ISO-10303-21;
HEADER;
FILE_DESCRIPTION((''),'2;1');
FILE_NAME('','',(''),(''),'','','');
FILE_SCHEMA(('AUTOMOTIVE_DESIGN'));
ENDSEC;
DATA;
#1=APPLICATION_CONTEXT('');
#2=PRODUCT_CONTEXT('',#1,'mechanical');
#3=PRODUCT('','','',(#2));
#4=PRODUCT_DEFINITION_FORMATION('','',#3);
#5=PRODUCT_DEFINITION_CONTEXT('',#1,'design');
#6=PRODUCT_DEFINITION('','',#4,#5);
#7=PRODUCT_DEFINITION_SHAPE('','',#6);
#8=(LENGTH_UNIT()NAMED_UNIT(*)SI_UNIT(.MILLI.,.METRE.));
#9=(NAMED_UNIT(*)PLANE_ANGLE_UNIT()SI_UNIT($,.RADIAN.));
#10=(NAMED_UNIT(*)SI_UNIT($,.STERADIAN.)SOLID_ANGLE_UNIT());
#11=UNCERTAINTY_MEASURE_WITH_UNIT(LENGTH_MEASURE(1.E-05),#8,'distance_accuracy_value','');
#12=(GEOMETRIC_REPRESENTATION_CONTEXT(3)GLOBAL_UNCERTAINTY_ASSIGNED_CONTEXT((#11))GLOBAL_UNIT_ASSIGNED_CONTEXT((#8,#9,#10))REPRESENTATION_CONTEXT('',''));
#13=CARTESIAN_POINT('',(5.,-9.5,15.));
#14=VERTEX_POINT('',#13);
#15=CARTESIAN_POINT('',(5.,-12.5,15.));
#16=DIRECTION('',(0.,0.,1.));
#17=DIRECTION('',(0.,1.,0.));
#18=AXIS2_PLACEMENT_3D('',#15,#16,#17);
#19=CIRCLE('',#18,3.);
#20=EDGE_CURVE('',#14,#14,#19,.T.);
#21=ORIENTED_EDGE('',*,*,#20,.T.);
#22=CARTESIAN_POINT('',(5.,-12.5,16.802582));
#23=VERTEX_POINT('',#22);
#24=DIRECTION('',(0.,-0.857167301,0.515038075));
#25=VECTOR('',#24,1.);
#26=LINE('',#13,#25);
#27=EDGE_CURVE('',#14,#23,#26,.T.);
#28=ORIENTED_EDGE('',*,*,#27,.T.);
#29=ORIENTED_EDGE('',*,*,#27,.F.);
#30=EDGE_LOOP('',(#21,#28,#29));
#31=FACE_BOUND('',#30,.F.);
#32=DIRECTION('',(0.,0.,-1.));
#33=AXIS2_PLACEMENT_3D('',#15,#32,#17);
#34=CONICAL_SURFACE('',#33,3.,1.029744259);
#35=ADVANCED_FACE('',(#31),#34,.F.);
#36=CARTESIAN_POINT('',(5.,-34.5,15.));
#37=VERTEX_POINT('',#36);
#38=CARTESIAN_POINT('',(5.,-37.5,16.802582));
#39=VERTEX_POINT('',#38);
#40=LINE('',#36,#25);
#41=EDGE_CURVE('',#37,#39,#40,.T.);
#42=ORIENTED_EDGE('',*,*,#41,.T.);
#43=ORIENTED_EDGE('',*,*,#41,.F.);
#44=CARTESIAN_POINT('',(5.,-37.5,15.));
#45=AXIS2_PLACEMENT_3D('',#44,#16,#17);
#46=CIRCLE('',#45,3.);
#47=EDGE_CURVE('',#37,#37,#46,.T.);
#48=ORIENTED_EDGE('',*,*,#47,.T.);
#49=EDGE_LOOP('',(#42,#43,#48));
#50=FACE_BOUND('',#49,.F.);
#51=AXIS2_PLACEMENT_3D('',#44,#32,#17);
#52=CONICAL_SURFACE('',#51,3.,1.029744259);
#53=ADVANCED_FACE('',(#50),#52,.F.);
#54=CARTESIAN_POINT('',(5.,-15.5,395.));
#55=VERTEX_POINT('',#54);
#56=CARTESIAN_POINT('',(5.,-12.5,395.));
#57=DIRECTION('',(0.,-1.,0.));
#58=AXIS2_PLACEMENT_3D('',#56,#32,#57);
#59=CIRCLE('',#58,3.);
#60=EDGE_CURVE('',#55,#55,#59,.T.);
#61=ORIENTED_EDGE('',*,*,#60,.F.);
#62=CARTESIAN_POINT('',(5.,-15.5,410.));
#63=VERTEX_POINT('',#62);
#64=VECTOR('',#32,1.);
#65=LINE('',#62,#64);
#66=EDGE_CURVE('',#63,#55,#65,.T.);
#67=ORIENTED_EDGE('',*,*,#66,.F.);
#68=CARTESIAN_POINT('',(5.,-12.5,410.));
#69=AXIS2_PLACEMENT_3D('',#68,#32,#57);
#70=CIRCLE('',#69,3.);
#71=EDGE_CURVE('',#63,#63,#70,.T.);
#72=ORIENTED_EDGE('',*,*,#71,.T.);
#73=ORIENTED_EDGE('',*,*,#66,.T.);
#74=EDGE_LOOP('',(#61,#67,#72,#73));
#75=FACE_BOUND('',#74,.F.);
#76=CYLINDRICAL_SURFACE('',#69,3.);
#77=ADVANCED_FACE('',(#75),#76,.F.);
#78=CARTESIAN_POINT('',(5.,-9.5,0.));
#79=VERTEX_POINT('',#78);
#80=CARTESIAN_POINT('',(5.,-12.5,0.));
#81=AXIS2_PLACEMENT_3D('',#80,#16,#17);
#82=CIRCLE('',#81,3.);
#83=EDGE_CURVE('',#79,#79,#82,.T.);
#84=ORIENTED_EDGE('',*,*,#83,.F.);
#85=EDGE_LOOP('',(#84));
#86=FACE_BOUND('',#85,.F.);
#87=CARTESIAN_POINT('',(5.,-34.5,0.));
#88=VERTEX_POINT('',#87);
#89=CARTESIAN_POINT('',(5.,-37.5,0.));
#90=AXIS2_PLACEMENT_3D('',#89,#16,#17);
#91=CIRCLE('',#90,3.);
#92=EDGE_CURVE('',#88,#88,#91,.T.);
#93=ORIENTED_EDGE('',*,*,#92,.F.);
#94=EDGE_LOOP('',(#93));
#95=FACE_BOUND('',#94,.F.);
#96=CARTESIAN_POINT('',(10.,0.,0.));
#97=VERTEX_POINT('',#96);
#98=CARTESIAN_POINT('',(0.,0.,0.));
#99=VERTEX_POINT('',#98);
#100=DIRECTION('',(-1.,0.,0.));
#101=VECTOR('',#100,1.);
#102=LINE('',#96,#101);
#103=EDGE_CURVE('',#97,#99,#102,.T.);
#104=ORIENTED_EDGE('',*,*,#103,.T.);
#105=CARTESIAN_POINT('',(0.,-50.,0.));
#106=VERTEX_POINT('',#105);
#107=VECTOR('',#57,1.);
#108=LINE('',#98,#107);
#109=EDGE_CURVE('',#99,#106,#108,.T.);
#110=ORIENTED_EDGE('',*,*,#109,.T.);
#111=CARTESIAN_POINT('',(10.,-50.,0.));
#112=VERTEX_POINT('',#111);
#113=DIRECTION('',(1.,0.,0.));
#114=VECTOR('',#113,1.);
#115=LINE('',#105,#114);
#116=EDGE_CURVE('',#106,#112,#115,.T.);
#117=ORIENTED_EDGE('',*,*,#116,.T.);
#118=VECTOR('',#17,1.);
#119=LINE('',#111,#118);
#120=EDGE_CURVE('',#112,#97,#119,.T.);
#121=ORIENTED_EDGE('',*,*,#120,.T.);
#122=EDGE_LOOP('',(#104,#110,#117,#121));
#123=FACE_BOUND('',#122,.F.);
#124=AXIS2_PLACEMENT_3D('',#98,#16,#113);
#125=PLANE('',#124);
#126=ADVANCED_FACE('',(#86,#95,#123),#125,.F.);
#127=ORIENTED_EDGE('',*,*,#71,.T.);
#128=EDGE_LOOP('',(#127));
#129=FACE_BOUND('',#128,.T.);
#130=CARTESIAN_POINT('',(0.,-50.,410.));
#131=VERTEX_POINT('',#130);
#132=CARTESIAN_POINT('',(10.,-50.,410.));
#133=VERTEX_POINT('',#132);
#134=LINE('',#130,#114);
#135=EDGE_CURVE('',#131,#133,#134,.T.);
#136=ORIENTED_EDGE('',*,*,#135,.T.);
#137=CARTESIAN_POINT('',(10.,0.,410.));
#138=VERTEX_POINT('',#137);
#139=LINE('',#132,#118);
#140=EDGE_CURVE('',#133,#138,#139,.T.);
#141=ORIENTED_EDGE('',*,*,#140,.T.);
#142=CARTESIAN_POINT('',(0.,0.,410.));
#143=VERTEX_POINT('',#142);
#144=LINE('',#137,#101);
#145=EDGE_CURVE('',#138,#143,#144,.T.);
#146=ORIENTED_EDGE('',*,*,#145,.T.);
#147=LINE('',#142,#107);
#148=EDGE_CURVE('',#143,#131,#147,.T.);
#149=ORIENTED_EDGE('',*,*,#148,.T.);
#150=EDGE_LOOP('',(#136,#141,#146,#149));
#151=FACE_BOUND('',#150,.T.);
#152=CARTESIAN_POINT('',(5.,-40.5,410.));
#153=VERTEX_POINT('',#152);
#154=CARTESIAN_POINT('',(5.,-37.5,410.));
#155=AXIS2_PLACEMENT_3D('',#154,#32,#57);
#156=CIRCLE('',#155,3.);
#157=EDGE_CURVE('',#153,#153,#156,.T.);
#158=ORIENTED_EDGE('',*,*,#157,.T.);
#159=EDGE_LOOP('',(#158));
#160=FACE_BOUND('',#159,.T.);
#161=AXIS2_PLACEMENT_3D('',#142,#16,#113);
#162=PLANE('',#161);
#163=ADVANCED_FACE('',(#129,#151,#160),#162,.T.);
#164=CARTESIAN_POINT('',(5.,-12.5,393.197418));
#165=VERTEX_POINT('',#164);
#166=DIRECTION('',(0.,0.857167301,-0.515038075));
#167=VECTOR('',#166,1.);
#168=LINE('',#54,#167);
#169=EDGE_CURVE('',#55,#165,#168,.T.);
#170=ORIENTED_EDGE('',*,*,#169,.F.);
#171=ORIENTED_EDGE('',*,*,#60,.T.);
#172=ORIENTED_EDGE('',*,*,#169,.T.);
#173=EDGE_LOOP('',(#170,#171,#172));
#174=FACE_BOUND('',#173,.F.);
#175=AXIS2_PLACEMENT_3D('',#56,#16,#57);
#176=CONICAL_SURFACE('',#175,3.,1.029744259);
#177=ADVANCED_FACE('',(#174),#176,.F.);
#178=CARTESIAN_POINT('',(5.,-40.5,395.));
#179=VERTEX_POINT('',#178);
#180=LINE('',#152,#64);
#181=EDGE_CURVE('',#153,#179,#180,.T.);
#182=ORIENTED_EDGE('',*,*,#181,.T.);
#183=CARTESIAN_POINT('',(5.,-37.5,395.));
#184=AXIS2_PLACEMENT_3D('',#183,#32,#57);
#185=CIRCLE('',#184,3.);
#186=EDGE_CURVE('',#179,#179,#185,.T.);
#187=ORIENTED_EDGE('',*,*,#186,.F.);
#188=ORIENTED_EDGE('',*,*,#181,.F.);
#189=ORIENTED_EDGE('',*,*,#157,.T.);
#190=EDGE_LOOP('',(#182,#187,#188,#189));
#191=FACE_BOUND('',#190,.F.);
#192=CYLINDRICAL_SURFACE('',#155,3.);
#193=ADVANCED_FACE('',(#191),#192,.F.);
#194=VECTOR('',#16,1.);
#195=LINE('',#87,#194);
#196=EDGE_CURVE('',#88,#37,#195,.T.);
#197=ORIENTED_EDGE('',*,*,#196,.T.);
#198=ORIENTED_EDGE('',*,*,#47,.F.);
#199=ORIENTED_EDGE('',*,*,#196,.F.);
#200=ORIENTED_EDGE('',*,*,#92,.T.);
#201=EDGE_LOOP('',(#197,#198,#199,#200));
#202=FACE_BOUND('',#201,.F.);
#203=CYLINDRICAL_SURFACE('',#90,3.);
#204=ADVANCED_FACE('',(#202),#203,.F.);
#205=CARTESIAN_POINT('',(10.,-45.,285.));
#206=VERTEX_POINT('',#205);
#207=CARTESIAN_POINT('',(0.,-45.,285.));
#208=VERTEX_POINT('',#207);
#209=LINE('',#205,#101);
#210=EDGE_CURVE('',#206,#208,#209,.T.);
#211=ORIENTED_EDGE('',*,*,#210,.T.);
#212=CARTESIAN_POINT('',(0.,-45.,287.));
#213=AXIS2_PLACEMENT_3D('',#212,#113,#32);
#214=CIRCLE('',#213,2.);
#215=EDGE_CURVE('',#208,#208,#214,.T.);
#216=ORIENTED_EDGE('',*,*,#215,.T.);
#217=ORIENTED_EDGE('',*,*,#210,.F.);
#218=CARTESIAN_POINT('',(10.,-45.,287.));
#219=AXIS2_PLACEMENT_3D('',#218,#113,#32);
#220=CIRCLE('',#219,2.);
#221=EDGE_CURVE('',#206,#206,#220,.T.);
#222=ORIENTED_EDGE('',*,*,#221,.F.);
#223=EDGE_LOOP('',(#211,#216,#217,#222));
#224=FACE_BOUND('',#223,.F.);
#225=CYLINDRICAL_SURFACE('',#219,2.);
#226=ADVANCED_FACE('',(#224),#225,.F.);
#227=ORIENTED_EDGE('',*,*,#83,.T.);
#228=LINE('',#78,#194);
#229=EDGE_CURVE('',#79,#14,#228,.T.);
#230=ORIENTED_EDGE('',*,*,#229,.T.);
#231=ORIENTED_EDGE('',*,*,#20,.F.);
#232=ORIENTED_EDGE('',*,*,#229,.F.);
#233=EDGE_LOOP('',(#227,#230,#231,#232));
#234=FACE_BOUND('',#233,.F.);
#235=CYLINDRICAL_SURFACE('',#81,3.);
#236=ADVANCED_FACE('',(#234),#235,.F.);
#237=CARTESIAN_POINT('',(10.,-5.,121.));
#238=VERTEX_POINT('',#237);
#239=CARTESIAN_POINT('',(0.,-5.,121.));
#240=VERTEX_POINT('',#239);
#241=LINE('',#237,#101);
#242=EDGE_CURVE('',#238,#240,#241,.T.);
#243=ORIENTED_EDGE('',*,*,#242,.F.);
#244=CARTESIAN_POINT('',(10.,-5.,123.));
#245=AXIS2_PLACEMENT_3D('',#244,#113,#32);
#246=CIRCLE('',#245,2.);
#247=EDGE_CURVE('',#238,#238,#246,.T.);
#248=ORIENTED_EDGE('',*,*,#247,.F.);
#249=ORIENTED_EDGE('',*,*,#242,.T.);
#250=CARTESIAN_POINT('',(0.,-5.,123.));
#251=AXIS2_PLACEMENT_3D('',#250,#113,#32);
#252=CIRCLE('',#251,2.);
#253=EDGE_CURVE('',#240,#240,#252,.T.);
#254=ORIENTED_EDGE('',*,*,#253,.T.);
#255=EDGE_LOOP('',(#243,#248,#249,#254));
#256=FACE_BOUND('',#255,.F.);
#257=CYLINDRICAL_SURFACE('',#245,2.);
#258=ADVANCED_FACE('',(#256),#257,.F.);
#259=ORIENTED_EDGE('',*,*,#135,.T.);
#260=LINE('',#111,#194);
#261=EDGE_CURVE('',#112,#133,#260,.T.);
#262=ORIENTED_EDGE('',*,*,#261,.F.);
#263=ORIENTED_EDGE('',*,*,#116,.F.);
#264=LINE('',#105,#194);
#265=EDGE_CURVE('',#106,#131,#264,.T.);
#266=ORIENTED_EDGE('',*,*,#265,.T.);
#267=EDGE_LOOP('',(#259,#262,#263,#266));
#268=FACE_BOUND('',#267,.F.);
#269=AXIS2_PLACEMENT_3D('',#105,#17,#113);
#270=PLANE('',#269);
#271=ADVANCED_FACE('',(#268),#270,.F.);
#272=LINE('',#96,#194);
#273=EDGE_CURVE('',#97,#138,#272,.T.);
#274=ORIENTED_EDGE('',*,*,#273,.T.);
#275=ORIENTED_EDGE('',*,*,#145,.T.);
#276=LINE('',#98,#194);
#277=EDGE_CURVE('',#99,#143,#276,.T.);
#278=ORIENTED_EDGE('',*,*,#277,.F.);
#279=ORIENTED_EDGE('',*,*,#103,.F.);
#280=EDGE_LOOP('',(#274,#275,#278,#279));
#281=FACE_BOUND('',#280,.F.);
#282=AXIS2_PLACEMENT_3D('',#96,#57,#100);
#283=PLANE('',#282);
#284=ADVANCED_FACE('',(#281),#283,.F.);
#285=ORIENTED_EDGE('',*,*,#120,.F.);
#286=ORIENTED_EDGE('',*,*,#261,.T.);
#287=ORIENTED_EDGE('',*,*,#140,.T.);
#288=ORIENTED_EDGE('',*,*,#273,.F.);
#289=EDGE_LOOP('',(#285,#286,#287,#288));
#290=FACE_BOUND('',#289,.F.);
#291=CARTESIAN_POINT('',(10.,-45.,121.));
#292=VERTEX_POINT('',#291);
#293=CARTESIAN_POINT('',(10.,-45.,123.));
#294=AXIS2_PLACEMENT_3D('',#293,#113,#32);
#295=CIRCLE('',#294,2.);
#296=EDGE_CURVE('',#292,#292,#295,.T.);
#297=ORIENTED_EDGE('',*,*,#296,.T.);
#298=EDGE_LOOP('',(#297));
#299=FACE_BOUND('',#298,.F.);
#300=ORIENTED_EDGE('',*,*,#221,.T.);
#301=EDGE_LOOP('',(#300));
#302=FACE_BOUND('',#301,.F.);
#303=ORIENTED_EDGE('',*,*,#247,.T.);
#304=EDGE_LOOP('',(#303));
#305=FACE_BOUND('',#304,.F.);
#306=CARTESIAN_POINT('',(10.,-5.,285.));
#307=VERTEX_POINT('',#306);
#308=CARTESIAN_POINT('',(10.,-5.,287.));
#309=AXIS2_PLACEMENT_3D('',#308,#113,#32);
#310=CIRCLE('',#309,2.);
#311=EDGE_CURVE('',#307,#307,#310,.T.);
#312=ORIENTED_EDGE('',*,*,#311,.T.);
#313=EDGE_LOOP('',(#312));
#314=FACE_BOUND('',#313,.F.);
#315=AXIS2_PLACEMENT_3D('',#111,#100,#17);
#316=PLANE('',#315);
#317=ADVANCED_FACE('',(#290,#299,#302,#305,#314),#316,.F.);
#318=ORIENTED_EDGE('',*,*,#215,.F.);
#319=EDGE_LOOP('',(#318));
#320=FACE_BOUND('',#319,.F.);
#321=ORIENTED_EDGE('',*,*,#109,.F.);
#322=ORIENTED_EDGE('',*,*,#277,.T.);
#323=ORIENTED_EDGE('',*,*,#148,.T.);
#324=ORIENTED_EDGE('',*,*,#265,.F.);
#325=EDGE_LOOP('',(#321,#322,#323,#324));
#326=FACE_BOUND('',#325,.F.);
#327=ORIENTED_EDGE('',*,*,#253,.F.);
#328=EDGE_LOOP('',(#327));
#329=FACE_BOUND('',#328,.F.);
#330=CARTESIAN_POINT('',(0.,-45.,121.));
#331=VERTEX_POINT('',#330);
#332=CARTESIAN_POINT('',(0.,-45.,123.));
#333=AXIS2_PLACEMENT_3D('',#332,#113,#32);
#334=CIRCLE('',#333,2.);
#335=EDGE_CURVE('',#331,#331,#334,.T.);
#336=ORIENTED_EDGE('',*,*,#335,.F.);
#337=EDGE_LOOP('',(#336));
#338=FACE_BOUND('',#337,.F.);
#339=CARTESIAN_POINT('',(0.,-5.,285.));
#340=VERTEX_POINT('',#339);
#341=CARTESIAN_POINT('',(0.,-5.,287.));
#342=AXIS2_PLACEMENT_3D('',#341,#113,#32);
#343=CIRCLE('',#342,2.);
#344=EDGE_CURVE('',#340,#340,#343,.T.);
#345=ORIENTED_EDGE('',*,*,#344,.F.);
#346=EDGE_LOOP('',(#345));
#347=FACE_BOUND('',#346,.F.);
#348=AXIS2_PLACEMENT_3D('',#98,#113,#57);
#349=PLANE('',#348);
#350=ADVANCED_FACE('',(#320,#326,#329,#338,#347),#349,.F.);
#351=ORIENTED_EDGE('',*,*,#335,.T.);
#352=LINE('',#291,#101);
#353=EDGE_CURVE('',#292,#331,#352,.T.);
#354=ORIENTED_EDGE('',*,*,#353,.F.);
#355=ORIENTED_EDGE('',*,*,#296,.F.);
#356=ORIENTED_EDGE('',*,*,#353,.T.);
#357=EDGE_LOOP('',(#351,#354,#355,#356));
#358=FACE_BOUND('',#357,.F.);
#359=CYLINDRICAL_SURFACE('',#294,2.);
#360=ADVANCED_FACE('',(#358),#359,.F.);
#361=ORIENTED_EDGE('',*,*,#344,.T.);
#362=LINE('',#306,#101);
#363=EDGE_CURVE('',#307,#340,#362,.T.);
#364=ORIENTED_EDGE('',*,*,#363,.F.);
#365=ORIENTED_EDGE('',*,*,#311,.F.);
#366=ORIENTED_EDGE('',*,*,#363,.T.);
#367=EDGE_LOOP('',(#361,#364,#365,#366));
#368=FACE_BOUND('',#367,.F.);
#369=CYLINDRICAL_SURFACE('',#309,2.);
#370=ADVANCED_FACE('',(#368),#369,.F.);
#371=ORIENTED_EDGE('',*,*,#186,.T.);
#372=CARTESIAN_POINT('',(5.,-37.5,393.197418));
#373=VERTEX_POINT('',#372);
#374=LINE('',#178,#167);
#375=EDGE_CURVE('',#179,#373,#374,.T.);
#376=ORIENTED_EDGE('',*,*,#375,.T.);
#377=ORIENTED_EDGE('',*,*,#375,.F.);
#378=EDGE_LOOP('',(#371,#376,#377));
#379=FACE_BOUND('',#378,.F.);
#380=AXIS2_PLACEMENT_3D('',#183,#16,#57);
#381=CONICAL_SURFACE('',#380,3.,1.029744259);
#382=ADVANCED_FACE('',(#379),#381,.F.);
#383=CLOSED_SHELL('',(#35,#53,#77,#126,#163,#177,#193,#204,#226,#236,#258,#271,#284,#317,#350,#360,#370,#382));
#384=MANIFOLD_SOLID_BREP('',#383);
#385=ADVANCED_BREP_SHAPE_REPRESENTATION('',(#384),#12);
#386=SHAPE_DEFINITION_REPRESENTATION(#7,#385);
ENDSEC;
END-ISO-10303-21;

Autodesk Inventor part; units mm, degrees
ref_plane "YZ Plane" through (0, 0, 0) normal (1, 0, 0) x (0, 1, 0)
ref_plane "XZ Plane" through (0, 0, 0) normal (0, 1, 0) x (-1, 0, 0)
ref_plane "XY Plane" through (0, 0, 0) normal (0, 0, 1) x (1, 0, 0)
sketch "Sketch1" plane through (0, 0, 0) normal (0, 0, 1) x (1, 0, 0)
  line L0 (0, 0) -> (0, -50)
  line L1 (0, -50) -> (10, -50)
  line L2 (10, -50) -> (10, 0)
  line L3 (10, 0) -> (0, 0)
  dimension "d1" = 50
  dimension "d2" = 10
extrude "Extrusion1" add sketch "Sketch1" along normal blind 410
sketch "Sketch2" plane through (0, 0, 0) normal (0, 0, -1) x (-1, 0, 0)
  circle A0 centre (-5, -12.5) radius 3
  circle A1 centre (-5, -37.5) radius 3
  line L0 (-10, -50) -> (-10, 0) projected
  line L1 (-10, 0) -> (0, 0) projected
  line L2 (0, -50) -> (-10, -50) projected
  dimension "d5" = 6
  dimension "d6" = 6
  dimension "d7" = 5
  dimension "d8" = 5
  dimension "d9" = 12.5
  dimension "d10" = 12.5
sketch "Sketch3" plane through (0, 0, 410) normal (0, 0, 1) x (1, 0, 0)
  circle A0 centre (5, -12.5) radius 3 projected
  circle A1 centre (5, -12.5) radius 3
  circle A2 centre (5, -37.5) radius 3 projected
  circle A3 centre (5, -37.5) radius 3
  point P0 (0, 0)
hole "Agujero2" at (5, -12.5, 0) at (5, -37.5, 0) direction (0, 0, 1) diameter 6 depth 15 tip angle 118
hole "Agujero3" at (5, -12.5, 410) at (5, -37.5, 410) direction (0, 0, -1) diameter 6 depth 15 tip angle 118
thread "Rosca5" size "M6x1" class "6H" standard "ISO Metric profile" length 10
thread "Rosca6" size "M6x1" class "6H" standard "ISO Metric profile" length 10
thread "Rosca7" size "M6x1" class "6H" standard "ISO Metric profile" length 430
thread "Rosca8" size "M6x1" class "6H" standard "ISO Metric profile" length 430
sketch "Boceto4" plane through (10, -50, 0) normal (1, 0, 0) x (0, 0, -1)
  circle A0 centre (-287, 45) radius 2
  circle A1 centre (-287, 5) radius 2
  circle A2 centre (-123, 5) radius 2
  circle A3 centre (-123, 45) radius 2
  line L0 (-410, 0) -> (-410, 50) projected
  line L1 (0, 0) -> (0, 50) projected
  line L2 (0, 50) -> (-410, 50) projected
  dimension "d52" = 4
  dimension "d53" = 4
  dimension "d54" = 4
  dimension "d55" = 4
  dimension "d56" = 123
  dimension "d57" = 123
  dimension "d60" = 5
  dimension "d63" = 5
  dimension "d74" = 40
  dimension "d75" = 40
extrude "Extrusión4" cut sketch "Boceto4" against normal blind 10
equation "\"d63\" = d60"
properties part number "Travesaño Estructural" material "Aluminum 6061"
